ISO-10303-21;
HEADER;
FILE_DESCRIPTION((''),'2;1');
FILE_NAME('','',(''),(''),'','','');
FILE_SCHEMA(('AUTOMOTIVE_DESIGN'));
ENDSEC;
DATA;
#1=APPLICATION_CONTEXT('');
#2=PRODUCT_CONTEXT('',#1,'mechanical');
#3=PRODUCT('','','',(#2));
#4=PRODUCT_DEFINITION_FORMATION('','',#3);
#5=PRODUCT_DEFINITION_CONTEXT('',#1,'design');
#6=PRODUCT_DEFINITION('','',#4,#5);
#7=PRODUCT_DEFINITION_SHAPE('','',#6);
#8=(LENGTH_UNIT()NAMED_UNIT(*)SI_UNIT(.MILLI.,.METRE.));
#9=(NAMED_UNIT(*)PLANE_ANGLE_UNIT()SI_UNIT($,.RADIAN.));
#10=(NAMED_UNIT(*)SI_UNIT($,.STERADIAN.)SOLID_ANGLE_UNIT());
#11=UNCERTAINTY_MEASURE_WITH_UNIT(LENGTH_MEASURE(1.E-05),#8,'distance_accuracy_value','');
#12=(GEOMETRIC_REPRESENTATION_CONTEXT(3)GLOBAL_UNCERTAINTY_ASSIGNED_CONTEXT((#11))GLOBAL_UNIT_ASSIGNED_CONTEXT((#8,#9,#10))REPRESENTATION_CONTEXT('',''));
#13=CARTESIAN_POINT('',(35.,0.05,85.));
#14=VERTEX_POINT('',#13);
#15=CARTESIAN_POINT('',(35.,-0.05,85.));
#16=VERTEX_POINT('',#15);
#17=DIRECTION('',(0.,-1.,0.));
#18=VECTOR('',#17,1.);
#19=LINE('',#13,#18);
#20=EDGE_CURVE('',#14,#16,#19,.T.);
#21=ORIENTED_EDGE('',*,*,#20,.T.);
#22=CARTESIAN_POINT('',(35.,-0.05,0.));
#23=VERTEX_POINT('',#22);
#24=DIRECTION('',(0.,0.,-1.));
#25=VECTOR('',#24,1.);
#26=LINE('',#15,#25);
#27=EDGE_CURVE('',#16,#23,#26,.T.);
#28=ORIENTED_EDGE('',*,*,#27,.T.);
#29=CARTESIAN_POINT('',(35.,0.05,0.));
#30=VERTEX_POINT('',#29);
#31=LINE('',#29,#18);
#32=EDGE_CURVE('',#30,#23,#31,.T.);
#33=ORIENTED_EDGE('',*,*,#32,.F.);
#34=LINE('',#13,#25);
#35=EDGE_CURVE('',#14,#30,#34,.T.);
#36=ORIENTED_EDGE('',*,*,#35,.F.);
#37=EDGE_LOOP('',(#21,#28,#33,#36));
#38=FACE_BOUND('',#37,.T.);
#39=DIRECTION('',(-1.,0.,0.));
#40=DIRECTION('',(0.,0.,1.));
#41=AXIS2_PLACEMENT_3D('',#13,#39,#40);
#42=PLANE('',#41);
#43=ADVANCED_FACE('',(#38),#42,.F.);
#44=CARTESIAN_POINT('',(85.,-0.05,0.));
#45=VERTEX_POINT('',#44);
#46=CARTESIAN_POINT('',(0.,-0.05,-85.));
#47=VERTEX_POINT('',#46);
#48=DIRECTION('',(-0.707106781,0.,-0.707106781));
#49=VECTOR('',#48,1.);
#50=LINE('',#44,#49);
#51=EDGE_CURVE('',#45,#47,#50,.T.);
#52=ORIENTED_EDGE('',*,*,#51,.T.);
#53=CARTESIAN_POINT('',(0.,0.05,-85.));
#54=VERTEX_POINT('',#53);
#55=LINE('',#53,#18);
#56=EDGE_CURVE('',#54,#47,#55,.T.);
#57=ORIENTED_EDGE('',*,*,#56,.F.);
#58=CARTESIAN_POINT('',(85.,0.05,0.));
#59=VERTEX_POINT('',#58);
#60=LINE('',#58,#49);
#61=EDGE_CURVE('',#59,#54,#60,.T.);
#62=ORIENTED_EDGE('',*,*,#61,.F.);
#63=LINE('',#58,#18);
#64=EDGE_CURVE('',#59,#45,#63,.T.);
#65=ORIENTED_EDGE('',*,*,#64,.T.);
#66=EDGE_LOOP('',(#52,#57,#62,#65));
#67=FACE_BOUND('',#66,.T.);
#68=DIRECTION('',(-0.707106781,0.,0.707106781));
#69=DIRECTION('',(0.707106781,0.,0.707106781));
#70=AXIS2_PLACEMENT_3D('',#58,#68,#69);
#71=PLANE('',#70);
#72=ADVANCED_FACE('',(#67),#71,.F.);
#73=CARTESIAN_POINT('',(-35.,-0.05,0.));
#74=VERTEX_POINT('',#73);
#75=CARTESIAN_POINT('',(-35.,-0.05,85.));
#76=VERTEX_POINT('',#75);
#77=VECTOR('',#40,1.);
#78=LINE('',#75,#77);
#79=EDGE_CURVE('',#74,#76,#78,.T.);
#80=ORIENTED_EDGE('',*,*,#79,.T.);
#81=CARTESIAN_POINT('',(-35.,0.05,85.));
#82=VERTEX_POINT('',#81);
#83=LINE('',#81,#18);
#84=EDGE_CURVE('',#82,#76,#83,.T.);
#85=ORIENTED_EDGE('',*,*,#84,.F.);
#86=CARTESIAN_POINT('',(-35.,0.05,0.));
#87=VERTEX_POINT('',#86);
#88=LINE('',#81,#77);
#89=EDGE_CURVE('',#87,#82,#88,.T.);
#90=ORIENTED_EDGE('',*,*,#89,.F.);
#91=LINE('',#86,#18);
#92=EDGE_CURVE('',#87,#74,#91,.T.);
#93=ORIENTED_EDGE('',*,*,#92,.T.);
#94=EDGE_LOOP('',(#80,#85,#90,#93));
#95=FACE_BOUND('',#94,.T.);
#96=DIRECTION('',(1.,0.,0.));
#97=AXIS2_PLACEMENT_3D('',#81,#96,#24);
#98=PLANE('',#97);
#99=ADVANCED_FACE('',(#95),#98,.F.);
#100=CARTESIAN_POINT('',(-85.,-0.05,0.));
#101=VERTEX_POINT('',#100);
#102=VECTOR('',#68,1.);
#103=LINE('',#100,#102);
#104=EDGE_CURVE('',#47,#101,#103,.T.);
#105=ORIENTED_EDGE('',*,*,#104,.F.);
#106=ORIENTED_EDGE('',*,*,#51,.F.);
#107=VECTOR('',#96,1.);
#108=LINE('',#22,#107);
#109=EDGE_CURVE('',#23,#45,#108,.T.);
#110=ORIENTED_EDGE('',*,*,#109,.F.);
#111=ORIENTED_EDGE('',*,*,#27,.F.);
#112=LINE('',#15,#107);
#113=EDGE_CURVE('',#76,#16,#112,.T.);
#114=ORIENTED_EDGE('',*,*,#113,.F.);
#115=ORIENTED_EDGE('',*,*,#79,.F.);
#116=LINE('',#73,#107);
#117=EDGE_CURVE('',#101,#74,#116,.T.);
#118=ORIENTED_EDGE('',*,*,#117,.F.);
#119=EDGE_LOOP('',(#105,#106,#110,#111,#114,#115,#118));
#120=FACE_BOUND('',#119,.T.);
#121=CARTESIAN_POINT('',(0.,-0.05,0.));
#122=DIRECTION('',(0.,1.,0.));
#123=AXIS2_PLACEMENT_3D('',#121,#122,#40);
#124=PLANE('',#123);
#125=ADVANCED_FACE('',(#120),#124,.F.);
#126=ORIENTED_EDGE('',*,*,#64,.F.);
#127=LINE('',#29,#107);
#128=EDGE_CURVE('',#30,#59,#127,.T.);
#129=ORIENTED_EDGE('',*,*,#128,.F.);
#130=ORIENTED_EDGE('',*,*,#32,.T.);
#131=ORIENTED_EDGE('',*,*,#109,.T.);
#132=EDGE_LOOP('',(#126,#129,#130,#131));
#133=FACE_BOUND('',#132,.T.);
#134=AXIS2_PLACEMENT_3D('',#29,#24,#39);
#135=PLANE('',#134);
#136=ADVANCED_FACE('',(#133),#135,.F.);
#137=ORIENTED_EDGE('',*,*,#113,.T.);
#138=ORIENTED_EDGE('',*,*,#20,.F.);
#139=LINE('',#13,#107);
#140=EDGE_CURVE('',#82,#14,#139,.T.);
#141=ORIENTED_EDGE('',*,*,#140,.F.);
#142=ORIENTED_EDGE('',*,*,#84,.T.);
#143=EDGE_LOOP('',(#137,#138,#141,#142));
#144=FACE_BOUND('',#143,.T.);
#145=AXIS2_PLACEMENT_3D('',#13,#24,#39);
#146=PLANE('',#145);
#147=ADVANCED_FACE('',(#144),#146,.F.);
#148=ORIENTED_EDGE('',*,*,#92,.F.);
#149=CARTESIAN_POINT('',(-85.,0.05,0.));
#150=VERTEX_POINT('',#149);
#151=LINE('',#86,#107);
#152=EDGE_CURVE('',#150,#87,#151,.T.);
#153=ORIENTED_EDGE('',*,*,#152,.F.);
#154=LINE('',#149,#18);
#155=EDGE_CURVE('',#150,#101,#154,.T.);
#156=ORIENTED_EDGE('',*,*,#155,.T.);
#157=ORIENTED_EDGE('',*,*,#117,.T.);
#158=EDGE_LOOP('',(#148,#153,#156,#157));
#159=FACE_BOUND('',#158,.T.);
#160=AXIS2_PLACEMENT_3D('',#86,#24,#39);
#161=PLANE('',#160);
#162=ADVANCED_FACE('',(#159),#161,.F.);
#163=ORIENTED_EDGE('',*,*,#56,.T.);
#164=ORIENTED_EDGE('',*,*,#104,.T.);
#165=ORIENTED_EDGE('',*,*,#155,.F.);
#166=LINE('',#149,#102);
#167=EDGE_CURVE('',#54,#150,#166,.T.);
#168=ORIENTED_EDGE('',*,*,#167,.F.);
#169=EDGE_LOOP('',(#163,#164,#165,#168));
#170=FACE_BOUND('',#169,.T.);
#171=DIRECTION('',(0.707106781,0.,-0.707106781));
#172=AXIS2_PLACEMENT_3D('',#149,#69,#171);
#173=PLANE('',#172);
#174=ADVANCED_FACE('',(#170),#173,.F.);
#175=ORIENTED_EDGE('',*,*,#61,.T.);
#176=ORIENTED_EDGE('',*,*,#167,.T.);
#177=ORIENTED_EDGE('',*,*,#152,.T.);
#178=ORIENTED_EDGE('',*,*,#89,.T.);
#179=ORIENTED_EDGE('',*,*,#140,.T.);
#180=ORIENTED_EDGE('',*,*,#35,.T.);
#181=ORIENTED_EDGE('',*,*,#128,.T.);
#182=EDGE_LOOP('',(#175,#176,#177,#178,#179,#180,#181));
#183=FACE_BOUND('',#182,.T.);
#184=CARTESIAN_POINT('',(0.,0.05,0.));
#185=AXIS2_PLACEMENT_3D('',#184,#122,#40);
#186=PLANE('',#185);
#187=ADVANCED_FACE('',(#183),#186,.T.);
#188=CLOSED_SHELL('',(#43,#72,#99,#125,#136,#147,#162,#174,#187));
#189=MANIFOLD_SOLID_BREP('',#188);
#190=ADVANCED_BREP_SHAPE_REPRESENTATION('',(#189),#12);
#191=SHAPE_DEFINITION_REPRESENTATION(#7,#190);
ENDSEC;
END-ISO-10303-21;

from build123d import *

# Parameters (mm, degrees)
BOSS_EXTRUDE1_DEPTH = 0.05


with BuildPart() as part:
    # Sketch1 → Boss-Extrude1 (new, symmetric)
    with BuildSketch(Plane(origin=(0, 0, 0), x_dir=(1, 0, 0), z_dir=(0, 1, 0))):
        Polygon((35, -85), (-35, -85), (-35, 0), (-85, 0), (0, 85), (85, 0), (35, 0), align=None)
    extrude(amount=BOSS_EXTRUDE1_DEPTH, both=True)


solid = part.part
